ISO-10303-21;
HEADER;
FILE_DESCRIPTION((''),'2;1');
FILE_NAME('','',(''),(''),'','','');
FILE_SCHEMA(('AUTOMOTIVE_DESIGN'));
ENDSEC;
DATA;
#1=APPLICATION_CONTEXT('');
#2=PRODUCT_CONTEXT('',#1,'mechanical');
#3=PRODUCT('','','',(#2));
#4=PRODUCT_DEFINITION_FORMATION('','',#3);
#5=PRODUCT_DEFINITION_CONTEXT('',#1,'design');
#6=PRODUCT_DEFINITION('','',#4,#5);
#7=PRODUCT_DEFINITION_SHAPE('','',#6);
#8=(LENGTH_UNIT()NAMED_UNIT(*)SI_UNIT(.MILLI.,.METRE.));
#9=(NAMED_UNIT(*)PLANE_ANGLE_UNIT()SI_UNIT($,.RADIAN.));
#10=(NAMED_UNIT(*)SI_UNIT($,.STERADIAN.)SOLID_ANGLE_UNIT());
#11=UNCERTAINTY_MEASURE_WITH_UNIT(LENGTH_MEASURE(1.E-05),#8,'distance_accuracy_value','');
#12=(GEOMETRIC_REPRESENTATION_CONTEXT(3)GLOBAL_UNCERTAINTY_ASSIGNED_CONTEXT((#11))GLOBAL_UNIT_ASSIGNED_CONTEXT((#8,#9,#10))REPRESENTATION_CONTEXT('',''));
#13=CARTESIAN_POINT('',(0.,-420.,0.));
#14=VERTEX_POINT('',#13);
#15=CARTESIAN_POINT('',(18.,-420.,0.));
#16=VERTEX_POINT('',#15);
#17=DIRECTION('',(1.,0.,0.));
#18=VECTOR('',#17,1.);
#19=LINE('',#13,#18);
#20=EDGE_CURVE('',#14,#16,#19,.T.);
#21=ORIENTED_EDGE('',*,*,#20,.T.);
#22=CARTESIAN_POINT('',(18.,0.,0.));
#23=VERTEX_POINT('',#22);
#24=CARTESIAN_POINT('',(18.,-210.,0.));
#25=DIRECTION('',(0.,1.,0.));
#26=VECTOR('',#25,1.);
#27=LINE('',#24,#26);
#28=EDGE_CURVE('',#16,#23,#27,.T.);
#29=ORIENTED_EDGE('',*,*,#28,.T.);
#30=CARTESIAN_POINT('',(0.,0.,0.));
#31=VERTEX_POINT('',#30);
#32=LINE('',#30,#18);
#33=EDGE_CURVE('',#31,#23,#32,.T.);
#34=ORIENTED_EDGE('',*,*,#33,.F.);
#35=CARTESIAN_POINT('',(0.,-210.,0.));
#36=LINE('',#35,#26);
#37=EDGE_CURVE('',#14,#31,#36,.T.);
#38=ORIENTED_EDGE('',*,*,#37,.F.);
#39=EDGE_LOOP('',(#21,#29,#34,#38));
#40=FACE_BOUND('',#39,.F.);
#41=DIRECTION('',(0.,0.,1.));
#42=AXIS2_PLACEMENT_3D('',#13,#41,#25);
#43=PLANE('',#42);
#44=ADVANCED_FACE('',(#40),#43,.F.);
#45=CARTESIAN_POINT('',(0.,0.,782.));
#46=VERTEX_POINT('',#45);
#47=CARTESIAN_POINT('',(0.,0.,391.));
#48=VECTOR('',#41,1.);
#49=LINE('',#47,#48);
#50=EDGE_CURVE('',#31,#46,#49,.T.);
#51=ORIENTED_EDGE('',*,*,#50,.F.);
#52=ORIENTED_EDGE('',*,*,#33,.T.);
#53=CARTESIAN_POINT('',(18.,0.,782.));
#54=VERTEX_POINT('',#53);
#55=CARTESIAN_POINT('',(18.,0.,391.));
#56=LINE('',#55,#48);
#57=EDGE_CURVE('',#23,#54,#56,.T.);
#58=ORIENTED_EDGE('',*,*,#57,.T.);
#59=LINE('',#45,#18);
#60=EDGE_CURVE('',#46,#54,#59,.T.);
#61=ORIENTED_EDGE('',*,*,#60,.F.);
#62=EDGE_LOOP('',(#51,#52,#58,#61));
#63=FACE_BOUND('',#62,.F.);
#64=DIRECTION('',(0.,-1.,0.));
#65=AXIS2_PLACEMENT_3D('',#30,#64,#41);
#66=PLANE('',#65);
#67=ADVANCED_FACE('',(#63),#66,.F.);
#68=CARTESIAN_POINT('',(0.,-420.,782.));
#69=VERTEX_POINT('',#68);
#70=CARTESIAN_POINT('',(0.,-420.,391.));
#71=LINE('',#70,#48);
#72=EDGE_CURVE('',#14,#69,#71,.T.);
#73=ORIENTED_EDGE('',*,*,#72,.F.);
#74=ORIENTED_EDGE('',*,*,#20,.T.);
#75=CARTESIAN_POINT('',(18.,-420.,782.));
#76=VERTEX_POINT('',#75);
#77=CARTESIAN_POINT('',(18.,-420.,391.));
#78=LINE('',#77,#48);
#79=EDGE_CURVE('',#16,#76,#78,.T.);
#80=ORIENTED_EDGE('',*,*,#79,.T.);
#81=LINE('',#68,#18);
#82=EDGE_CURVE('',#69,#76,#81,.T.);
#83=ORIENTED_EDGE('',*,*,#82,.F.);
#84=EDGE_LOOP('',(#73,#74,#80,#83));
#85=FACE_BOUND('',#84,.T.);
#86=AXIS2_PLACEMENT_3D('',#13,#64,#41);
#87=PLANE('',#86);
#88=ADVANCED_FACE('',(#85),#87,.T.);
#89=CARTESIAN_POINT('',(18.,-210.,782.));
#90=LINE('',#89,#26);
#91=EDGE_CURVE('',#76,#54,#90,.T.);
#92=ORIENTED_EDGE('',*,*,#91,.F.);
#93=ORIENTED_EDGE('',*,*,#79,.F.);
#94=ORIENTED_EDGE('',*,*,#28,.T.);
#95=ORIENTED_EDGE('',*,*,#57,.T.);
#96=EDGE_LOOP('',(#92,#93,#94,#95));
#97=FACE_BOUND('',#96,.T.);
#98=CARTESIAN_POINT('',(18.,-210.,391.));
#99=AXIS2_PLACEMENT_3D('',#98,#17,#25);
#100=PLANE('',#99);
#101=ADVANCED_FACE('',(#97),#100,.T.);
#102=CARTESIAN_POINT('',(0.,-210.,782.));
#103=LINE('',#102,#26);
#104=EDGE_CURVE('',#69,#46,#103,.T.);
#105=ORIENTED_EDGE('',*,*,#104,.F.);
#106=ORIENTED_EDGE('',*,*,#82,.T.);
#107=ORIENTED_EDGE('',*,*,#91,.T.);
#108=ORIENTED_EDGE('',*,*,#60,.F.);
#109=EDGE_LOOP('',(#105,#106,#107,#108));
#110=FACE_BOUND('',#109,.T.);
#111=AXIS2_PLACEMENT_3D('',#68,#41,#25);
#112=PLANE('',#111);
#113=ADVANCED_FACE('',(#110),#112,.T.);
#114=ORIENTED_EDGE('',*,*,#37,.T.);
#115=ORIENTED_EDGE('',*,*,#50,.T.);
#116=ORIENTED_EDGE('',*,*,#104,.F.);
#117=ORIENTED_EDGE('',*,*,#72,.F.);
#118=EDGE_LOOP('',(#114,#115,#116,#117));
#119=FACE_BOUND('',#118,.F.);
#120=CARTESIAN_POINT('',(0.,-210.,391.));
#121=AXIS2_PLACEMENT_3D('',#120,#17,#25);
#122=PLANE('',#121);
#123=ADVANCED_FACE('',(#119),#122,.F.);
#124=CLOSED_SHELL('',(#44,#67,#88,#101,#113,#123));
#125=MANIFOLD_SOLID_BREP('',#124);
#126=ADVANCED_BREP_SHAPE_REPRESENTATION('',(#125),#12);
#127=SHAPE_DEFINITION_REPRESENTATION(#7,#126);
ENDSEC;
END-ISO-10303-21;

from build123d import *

# Parameters (mm, degrees)
SKETCH_W  = 420
SKETCH_H  = 782
PAD_DEPTH = 18


with BuildPart() as part:
    # Sketch → Pad (new body)
    with BuildSketch(Plane.YZ):
        with Locations((-210, 391)):
            Rectangle(SKETCH_W, SKETCH_H)
    extrude(amount=PAD_DEPTH)


solid = part.part
